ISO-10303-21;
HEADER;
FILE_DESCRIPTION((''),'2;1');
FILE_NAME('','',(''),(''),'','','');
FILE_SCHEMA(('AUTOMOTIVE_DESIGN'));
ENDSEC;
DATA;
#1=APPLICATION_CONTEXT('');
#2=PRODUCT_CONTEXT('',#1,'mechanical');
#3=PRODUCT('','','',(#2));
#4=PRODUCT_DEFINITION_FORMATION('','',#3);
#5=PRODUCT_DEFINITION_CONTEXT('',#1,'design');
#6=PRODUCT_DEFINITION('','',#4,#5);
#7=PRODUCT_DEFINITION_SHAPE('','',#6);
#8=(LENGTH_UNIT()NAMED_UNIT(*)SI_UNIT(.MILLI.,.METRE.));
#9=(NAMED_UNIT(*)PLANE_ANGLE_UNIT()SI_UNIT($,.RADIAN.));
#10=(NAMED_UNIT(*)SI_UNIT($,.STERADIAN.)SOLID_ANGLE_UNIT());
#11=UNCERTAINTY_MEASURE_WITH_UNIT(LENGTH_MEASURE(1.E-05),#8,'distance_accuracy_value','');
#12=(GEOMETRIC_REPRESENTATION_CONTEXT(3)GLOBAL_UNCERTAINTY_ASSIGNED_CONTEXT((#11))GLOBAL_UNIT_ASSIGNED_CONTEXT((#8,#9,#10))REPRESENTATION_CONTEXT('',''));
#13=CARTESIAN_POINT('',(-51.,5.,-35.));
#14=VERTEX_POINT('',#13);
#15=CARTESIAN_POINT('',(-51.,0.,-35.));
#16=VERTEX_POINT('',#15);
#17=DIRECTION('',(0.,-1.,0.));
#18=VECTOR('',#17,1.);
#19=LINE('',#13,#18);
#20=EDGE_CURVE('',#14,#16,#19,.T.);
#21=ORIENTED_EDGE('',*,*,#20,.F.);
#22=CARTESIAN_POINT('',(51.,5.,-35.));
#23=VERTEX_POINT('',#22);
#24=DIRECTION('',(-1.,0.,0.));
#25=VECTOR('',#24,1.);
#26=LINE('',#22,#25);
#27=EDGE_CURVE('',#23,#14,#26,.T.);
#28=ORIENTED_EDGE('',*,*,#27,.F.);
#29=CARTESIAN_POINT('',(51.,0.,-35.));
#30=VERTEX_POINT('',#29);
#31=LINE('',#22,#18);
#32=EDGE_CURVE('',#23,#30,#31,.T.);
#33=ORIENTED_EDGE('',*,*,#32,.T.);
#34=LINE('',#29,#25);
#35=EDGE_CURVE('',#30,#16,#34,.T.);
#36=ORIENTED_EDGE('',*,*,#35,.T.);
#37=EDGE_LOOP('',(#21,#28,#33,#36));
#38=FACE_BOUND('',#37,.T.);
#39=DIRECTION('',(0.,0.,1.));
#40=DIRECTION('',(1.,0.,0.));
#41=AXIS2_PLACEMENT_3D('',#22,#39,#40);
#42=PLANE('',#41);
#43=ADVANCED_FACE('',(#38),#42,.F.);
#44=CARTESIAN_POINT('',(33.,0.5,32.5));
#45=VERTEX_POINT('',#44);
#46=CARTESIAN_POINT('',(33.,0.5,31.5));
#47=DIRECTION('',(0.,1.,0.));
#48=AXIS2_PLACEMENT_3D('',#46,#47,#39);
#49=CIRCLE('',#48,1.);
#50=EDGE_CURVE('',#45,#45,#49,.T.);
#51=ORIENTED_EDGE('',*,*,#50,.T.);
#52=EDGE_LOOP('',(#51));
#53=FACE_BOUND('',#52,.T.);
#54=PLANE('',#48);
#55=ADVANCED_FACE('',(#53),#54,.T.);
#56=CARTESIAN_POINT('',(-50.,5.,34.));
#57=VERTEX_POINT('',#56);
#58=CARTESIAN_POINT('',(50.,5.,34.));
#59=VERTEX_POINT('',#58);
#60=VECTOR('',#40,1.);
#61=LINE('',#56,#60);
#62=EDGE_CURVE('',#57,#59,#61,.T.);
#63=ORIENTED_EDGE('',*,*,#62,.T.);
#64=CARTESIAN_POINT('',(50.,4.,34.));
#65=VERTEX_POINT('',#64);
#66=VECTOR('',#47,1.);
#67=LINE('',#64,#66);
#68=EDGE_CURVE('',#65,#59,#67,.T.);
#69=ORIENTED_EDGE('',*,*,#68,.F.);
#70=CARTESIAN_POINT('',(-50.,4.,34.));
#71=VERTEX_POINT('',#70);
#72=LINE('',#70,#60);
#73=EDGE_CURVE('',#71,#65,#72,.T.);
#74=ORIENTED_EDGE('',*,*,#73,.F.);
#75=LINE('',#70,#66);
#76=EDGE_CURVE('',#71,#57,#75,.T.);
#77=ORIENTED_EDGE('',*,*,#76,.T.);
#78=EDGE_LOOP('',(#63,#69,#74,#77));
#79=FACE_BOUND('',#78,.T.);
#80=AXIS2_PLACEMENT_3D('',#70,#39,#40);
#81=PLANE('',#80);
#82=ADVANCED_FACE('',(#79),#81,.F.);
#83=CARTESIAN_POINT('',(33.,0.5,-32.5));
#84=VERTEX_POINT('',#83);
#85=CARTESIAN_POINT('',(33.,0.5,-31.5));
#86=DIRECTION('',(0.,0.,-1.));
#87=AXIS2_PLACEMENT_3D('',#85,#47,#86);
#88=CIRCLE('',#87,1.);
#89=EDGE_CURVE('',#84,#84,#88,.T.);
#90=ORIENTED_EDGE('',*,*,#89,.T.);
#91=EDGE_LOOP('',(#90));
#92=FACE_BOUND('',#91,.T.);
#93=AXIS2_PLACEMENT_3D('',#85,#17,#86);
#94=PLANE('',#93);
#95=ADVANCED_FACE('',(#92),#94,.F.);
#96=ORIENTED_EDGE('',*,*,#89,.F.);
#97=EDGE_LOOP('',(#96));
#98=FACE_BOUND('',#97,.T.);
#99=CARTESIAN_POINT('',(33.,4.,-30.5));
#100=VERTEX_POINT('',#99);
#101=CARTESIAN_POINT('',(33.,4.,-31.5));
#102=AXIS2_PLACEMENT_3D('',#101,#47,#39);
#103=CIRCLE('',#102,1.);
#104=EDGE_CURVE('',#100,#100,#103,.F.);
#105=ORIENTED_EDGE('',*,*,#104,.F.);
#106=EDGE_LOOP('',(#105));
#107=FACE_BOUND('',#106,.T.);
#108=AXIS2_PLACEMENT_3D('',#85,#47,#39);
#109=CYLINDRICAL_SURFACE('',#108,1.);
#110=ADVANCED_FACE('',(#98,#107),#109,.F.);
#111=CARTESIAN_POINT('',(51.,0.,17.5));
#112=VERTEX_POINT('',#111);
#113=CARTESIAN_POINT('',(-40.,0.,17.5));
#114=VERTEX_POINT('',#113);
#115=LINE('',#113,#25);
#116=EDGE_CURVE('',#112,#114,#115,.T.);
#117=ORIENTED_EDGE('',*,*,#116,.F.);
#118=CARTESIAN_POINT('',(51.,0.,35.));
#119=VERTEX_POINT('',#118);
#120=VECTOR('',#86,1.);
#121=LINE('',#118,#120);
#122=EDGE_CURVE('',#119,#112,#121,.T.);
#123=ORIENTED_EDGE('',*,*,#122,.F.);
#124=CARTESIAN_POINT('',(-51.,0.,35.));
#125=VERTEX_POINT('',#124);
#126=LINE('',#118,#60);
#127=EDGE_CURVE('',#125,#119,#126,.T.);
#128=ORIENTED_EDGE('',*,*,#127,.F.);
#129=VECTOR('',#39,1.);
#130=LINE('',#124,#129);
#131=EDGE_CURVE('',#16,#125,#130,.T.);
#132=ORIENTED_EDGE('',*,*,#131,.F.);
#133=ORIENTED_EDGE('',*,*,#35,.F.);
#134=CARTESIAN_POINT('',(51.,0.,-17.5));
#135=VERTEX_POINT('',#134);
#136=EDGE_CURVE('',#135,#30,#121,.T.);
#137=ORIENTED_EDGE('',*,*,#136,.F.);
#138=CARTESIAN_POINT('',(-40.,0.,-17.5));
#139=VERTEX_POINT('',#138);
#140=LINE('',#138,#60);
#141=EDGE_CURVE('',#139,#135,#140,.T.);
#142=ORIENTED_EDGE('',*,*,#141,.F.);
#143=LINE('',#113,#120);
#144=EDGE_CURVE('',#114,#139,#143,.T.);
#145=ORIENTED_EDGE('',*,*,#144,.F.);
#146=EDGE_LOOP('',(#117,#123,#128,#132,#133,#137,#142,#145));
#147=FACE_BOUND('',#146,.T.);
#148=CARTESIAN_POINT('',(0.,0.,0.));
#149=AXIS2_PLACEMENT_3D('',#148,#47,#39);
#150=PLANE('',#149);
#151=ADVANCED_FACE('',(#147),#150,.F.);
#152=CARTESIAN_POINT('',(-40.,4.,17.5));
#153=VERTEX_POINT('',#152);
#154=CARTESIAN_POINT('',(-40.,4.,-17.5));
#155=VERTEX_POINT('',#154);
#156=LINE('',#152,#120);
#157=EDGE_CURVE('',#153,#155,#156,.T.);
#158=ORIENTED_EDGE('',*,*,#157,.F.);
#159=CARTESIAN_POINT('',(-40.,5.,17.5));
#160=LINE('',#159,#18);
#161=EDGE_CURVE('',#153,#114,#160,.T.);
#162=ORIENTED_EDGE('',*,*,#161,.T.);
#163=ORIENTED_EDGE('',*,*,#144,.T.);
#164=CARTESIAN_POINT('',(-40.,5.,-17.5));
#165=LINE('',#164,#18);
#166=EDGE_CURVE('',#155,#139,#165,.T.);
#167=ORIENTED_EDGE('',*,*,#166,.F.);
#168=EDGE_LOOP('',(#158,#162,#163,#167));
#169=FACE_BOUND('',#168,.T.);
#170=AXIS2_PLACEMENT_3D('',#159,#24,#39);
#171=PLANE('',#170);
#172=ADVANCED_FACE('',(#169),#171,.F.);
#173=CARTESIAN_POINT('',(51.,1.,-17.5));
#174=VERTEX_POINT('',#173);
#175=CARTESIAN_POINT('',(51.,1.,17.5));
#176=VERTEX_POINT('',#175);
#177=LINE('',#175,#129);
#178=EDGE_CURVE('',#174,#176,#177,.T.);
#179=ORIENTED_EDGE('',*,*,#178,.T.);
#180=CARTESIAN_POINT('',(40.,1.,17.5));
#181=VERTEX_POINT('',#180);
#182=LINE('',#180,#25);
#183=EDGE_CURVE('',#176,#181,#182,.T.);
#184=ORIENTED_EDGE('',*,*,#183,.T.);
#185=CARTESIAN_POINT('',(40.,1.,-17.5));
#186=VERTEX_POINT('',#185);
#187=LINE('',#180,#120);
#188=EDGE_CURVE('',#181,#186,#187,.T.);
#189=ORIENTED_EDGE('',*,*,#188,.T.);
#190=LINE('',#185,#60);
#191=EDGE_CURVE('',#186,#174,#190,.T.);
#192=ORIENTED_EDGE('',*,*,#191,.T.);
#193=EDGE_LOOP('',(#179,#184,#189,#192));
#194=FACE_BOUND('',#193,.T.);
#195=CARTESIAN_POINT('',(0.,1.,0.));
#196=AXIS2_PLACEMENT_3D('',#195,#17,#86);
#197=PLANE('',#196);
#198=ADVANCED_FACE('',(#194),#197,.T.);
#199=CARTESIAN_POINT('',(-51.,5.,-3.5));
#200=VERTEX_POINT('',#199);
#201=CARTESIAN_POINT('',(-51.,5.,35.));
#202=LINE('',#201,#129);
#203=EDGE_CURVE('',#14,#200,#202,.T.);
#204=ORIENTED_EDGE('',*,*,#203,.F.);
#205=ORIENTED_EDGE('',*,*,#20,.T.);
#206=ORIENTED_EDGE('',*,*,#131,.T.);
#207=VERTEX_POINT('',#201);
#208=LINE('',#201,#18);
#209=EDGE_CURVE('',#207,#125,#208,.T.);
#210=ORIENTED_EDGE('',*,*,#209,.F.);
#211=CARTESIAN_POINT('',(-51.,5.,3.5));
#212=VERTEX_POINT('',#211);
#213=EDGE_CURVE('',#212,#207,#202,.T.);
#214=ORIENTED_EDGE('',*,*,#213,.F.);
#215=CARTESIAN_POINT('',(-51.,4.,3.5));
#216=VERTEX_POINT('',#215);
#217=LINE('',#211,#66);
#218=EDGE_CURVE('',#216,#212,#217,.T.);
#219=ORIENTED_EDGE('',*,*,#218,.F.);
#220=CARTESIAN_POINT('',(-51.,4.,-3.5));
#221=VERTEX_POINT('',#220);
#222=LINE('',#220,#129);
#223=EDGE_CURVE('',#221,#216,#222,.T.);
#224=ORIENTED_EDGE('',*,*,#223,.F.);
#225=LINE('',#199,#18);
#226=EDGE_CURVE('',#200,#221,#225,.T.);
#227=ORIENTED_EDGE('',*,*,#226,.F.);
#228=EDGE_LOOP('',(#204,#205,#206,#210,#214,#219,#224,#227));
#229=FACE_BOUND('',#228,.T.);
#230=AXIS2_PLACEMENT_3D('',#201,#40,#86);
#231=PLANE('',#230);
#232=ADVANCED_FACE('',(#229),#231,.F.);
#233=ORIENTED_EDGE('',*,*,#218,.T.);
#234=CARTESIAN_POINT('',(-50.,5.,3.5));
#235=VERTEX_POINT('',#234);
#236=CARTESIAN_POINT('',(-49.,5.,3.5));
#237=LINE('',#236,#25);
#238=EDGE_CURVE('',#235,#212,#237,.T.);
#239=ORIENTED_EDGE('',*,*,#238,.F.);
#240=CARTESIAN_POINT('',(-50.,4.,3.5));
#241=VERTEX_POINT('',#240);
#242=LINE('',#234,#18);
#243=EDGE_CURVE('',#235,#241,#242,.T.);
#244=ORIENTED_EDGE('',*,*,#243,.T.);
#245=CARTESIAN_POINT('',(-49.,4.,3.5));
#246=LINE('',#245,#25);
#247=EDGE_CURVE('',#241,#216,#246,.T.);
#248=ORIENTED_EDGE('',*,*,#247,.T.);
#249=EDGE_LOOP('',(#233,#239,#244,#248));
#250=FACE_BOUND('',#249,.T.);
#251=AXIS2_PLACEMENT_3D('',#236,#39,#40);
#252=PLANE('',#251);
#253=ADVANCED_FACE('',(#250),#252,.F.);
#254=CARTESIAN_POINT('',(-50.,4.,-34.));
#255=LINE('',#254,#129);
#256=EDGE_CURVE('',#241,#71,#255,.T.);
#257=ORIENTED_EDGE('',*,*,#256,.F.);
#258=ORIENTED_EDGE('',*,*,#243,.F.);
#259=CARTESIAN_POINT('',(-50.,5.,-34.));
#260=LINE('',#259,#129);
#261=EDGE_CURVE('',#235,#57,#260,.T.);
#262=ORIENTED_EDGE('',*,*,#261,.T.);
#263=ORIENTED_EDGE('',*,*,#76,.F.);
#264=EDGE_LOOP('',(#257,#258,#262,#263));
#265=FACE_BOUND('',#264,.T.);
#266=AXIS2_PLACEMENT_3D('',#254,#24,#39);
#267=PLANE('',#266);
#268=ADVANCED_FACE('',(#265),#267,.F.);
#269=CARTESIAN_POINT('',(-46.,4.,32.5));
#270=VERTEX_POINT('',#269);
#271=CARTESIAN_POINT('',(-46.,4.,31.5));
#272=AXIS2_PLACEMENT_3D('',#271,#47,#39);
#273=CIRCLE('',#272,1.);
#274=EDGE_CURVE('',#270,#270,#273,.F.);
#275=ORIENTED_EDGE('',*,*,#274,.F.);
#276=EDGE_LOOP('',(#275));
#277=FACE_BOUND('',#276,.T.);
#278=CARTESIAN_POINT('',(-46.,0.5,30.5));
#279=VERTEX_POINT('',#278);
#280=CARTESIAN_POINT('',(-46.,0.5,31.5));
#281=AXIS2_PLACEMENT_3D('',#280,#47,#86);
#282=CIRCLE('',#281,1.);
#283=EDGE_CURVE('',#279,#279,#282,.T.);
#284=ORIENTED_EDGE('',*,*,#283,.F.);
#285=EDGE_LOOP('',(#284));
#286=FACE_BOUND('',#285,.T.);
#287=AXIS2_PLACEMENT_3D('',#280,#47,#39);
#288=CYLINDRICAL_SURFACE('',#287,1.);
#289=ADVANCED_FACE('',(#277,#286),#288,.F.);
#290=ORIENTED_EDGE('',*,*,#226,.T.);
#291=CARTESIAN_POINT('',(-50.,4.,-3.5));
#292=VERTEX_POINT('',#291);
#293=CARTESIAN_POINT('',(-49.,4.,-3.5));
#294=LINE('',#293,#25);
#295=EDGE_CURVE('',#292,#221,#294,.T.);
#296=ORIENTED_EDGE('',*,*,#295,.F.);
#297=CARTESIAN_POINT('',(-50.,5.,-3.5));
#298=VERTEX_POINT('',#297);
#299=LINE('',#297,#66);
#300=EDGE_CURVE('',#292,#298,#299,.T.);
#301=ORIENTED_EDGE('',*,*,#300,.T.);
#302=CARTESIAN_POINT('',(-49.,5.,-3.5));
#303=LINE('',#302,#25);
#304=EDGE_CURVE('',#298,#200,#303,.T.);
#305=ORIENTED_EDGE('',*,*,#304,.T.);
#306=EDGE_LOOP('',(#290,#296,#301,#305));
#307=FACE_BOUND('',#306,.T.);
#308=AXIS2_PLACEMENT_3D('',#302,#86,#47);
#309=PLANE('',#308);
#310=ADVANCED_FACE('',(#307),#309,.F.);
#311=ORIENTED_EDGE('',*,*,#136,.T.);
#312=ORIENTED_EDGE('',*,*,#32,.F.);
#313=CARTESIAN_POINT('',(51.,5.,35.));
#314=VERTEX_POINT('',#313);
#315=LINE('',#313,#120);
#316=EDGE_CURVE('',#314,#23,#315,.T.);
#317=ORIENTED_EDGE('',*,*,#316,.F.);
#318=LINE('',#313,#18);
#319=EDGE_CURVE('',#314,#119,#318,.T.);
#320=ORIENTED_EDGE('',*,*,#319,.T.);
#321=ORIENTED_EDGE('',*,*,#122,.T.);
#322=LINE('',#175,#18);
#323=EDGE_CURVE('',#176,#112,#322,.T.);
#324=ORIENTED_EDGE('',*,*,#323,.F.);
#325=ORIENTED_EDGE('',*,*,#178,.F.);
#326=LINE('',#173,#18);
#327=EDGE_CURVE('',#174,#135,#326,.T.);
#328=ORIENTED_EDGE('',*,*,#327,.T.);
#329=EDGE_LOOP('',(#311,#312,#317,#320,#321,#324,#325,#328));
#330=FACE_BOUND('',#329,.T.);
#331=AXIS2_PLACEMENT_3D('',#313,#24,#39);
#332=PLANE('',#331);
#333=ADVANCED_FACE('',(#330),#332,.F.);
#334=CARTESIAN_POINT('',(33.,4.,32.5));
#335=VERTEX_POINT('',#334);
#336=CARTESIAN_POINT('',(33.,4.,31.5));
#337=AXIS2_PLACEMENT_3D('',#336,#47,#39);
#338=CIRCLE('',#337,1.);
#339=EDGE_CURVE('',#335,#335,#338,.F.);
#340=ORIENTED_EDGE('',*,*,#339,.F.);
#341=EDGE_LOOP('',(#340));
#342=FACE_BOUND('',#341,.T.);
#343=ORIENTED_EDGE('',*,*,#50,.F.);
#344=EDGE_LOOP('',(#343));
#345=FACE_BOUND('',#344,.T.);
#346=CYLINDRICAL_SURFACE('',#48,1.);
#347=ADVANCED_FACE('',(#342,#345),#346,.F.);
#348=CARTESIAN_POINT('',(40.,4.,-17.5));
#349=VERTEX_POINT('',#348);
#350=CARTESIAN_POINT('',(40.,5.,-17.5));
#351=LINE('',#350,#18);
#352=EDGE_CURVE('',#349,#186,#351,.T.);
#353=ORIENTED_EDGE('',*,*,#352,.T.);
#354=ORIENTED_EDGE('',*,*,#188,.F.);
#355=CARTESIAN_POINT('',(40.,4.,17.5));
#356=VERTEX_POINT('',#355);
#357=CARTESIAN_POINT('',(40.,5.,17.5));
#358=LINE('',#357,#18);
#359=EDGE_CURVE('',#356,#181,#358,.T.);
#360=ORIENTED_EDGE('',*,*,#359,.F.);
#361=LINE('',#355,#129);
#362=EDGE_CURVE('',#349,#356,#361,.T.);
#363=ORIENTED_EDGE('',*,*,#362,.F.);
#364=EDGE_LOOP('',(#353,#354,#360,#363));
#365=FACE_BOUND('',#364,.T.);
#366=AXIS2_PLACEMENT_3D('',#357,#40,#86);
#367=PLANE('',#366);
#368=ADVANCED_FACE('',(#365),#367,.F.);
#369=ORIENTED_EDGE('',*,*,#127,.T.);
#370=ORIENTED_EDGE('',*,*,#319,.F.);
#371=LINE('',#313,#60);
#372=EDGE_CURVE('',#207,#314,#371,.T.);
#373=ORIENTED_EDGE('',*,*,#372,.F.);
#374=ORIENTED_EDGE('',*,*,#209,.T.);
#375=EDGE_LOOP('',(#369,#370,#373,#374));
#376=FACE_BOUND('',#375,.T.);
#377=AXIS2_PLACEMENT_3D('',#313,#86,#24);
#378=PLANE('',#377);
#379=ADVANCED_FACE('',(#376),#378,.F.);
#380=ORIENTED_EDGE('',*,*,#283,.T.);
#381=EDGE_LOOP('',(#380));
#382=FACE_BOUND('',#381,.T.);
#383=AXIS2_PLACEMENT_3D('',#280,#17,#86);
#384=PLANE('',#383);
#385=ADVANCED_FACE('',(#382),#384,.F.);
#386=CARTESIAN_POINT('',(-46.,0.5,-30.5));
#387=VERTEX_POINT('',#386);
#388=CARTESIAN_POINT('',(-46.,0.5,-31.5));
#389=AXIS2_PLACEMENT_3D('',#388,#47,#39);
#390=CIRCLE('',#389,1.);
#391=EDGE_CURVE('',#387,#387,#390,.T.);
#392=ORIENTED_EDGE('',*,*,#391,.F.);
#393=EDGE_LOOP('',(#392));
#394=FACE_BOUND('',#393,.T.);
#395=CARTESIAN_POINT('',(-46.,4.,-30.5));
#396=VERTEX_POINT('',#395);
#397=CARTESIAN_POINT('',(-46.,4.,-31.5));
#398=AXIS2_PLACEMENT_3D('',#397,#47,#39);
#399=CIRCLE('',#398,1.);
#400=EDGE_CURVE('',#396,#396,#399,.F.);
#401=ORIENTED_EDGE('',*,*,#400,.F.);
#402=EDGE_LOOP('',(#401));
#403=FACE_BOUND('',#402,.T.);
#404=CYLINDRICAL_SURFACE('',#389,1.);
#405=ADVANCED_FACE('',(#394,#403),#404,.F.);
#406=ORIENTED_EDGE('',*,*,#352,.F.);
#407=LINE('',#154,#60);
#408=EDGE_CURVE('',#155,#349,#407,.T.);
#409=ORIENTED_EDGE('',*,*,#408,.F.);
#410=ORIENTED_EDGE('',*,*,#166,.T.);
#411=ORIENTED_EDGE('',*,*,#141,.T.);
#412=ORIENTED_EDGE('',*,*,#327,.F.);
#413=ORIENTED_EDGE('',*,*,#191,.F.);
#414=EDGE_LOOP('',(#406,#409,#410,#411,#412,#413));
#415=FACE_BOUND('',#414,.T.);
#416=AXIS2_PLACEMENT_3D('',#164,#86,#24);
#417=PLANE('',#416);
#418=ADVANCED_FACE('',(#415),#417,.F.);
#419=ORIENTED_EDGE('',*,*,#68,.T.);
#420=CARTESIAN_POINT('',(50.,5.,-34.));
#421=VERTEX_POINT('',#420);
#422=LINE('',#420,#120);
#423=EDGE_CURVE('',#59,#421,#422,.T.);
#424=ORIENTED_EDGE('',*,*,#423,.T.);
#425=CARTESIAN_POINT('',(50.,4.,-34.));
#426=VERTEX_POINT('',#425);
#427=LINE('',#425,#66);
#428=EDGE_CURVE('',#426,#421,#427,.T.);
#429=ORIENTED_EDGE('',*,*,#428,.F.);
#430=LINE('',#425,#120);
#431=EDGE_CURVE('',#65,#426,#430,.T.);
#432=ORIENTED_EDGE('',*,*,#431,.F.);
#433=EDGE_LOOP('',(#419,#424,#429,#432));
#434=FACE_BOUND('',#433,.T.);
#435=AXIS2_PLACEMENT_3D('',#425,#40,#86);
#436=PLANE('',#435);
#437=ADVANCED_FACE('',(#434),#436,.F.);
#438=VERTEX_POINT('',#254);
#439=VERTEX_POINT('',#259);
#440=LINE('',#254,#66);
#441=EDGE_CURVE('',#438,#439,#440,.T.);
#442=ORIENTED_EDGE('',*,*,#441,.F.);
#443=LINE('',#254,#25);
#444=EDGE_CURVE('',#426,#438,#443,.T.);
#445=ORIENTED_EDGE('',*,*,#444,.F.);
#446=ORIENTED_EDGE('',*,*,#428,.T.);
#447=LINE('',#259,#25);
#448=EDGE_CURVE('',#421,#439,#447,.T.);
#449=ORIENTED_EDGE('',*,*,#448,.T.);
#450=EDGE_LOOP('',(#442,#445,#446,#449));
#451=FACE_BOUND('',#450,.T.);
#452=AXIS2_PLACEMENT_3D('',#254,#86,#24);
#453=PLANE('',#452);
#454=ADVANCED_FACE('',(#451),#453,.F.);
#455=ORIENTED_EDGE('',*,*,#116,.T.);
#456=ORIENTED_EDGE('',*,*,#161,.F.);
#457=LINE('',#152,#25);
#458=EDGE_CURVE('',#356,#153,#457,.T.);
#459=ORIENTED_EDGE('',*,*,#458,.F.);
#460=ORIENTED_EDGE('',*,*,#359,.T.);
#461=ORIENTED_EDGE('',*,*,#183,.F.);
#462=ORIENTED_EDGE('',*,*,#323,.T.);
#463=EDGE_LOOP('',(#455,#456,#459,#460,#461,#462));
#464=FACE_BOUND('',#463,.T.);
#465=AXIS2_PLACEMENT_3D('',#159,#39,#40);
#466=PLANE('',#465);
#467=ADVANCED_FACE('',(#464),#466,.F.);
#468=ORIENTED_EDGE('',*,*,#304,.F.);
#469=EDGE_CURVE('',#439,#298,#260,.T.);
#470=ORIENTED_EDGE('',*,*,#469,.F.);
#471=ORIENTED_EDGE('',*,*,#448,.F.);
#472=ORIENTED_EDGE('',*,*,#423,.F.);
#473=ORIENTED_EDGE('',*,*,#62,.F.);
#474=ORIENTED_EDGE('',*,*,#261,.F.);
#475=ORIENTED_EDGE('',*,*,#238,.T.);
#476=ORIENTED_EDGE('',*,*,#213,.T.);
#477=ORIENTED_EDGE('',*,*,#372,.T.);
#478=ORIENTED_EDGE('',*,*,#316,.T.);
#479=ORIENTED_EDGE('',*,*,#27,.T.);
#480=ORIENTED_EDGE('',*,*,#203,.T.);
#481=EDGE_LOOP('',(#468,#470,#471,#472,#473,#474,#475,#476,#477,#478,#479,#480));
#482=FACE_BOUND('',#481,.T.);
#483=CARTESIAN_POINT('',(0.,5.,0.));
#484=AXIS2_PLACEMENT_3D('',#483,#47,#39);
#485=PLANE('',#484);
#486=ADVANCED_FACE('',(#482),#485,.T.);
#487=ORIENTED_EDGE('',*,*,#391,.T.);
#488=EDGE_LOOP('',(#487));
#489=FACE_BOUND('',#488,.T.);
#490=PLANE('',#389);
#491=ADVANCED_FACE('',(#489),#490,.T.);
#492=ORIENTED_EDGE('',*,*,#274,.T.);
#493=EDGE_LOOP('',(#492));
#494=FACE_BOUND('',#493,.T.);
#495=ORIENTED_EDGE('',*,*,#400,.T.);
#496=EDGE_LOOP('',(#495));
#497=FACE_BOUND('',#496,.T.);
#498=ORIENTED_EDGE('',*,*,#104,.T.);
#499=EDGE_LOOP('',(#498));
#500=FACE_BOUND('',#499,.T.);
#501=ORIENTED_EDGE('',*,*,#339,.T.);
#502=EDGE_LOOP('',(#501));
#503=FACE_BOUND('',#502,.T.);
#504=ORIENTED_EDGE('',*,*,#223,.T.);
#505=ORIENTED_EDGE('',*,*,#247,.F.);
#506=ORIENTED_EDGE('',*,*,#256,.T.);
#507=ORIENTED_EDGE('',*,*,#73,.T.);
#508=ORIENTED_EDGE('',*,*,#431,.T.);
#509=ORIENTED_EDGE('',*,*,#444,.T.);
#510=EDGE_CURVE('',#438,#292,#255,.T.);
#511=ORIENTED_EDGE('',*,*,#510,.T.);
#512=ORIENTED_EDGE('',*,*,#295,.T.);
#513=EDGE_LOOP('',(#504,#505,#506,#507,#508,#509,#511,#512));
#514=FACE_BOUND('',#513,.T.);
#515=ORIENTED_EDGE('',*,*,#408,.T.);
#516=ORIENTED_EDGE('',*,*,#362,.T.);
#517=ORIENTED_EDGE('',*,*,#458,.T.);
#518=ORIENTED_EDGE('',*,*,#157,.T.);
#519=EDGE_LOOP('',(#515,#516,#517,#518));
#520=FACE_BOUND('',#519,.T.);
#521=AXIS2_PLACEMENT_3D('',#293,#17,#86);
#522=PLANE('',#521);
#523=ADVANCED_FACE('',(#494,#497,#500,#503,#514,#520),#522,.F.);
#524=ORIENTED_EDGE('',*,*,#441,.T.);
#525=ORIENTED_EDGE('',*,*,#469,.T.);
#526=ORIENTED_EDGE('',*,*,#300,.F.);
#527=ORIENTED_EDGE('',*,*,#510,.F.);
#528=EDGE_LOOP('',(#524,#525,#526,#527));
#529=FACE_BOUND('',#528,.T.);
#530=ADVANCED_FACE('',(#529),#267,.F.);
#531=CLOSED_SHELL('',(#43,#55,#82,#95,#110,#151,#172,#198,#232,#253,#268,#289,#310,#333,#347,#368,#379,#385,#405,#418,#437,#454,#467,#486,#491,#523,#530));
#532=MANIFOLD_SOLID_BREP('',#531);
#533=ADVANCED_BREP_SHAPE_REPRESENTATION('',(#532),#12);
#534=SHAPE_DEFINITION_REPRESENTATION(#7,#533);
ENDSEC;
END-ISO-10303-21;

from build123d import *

# Parameters (mm, degrees)
SKETCH_1_W          = 102
SKETCH_1_H          = 70
EXTRUDE_1_DEPTH     = 5
SKETCH_2_R          = 1
CUT_EXTRUDE_1_DEPTH = 4.5
SKETCH_3_W          = 7
SKETCH_3_H          = 1
CUT_EXTRUDE_2_DEPTH = 2
SKETCH_4_W          = 80
SKETCH_4_H          = 35
CUT_EXTRUDE_3_DEPTH = 5
SKETCH_5_W          = 11
SKETCH_5_H          = 35
CUT_EXTRUDE_4_DEPTH = 1
SKETCH_6_W          = 100
SKETCH_6_H          = 68
CUT_EXTRUDE_5_DEPTH = 1


with BuildPart() as part:
    # Эскиз1 → Бобышка-Вытянуть1 (new body)
    with BuildSketch(Plane(origin=(0, 0, 0), x_dir=(1, 0, 0), z_dir=(0, 1, 0))):
        Rectangle(SKETCH_1_W, SKETCH_1_H)
    extrude(amount=EXTRUDE_1_DEPTH)

    # Эскиз2 → Вырез-Вытянуть1 (cut)
    with BuildSketch(Plane(origin=(0, 5, 0), x_dir=(1, 0, 0), z_dir=(0, 1, 0))):
        with Locations(Location((-46, 31.5, 0), (0, 0, 270))):
            Circle(SKETCH_2_R)
        with Locations(Location((33, 31.5, 0), (0, 0, 90))):
            Circle(SKETCH_2_R)
        with Locations(Location((33, -31.5, 0), (0, 0, 270))):
            Circle(SKETCH_2_R)
        with Locations(Location((-46, -31.5, 0), (0, 0, 90))):
            Circle(SKETCH_2_R)
    extrude(amount=-CUT_EXTRUDE_1_DEPTH, mode=Mode.SUBTRACT)

    # Эскиз3 → Вырез-Вытянуть2 (cut)
    with BuildSketch(Plane.ZY.offset(51)):
        with Locations((0, 4.5)):
            Rectangle(SKETCH_3_W, SKETCH_3_H)
    extrude(amount=-CUT_EXTRUDE_2_DEPTH, mode=Mode.SUBTRACT)

    # Эскиз4 → Вырез-Вытянуть3 (cut)
    with BuildSketch(Plane.XZ):
        Rectangle(SKETCH_4_W, SKETCH_4_H)
    extrude(amount=-CUT_EXTRUDE_3_DEPTH, mode=Mode.SUBTRACT)

    # Эскиз5 → Вырез-Вытянуть4 (cut)
    with BuildSketch(Plane.XZ):
        with Locations((45.5, 0)):
            Rectangle(SKETCH_5_W, SKETCH_5_H)
    extrude(amount=-CUT_EXTRUDE_4_DEPTH, mode=Mode.SUBTRACT)

    # Эскиз6 → Вырез-Вытянуть5 (cut)
    with BuildSketch(Plane(origin=(0, 5, 0), x_dir=(1, 0, 0), z_dir=(0, 1, 0))):
        Rectangle(SKETCH_6_W, SKETCH_6_H)
    extrude(amount=-CUT_EXTRUDE_5_DEPTH, mode=Mode.SUBTRACT)


solid = part.part
